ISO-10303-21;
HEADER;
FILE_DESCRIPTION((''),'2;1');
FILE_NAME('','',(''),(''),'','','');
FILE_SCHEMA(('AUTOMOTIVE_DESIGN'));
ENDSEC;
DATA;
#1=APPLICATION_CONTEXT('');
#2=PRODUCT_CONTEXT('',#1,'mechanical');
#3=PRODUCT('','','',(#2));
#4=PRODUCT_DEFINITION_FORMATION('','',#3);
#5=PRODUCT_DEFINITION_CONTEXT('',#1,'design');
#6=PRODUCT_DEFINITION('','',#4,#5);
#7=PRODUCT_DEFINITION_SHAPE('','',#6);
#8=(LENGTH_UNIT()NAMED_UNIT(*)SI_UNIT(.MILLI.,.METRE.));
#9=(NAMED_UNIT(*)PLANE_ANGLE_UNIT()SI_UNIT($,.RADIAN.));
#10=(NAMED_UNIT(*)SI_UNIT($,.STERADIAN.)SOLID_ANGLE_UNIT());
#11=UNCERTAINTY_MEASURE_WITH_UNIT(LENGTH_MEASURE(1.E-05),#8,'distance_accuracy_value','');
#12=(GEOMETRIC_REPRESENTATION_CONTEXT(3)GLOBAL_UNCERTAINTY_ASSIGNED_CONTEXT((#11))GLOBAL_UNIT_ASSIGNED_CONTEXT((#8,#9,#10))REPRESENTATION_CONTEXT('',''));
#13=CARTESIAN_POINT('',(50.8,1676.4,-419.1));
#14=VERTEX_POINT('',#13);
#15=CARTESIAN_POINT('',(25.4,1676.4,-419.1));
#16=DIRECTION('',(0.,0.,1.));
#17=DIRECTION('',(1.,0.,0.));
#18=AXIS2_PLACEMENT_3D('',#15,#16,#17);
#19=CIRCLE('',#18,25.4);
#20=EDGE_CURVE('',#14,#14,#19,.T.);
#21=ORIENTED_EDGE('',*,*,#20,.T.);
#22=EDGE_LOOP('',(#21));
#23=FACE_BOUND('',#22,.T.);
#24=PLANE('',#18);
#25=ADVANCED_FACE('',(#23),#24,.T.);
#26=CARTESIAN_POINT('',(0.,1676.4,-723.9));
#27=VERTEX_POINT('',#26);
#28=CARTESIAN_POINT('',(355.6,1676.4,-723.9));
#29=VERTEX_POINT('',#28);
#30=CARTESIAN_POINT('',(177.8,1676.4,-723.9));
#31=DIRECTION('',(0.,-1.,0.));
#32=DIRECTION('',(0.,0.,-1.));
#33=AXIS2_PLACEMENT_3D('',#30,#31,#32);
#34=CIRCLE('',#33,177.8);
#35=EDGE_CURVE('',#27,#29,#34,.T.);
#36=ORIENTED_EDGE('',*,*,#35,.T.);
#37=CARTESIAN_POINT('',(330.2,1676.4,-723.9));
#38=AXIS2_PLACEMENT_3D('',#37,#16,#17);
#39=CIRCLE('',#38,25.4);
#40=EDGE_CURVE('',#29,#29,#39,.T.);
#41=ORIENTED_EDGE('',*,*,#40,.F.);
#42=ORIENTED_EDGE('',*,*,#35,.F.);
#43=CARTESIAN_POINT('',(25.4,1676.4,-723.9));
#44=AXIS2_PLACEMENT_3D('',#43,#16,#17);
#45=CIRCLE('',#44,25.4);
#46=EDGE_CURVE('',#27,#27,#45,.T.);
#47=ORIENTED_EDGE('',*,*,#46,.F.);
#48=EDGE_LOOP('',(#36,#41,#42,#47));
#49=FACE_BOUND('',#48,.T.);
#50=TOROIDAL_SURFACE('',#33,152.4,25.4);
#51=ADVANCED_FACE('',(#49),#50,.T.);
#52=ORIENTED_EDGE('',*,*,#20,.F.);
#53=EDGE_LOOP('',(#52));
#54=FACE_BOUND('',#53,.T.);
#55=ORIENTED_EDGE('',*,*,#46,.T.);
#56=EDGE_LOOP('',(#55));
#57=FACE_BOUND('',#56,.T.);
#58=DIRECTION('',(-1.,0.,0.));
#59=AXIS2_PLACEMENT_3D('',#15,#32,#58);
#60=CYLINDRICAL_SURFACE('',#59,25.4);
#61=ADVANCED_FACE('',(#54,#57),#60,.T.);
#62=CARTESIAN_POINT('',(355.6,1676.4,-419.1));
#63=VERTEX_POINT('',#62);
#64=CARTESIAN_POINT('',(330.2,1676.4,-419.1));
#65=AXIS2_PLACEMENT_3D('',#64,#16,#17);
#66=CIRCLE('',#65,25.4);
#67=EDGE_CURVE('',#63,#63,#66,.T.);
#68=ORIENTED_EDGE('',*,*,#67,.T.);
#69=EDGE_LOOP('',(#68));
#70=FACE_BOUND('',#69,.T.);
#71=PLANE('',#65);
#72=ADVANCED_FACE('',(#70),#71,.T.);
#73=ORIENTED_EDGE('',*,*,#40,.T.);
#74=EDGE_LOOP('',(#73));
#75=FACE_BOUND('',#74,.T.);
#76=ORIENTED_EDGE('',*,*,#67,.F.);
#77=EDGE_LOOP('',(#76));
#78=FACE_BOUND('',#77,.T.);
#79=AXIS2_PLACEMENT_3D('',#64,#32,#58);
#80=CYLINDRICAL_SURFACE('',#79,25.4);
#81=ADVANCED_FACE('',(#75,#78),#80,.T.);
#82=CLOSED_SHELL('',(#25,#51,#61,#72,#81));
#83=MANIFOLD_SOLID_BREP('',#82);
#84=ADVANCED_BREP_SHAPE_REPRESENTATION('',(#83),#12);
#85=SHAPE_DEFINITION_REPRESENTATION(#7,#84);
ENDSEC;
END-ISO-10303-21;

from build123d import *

# Parameters (mm, degrees)
SKETCH4_R = 25.4
SKETCH7_R = 25.4


with BuildPart() as part:
    # Sweep1: sweep along a path in Sketch3
    with BuildLine(Plane(origin=(0, 1676.4, 0), x_dir=(1, 0, 0), z_dir=(0, 1, 0))) as sweep1_path:
        Line((330.2, 419.1), (330.2, 723.9))
    # Sketch4 → Sweep1 (sweep)
    with BuildSketch(Plane.XY.offset(-419.1)):
        with Locations((330.2, 1676.4)):
            Circle(SKETCH4_R)
    sweep(path=sweep1_path.line)

    # Sweep2: sweep along a curve in space
    with BuildLine() as sweep2_path:
        Line((25.4, 1676.4, -419.1), (25.4, 1676.4, -723.9))
        ThreePointArc((25.4, 1676.4, -723.9), (177.8, 1676.4, -876.3), (330.2, 1676.4, -723.9))
    # Sketch7 → Sweep2 (sweep)
    with BuildSketch(Plane.XY.offset(-419.1)):
        with Locations((25.4, 1676.4)):
            Circle(SKETCH7_R)
    sweep(path=sweep2_path.line)


solid = part.part
